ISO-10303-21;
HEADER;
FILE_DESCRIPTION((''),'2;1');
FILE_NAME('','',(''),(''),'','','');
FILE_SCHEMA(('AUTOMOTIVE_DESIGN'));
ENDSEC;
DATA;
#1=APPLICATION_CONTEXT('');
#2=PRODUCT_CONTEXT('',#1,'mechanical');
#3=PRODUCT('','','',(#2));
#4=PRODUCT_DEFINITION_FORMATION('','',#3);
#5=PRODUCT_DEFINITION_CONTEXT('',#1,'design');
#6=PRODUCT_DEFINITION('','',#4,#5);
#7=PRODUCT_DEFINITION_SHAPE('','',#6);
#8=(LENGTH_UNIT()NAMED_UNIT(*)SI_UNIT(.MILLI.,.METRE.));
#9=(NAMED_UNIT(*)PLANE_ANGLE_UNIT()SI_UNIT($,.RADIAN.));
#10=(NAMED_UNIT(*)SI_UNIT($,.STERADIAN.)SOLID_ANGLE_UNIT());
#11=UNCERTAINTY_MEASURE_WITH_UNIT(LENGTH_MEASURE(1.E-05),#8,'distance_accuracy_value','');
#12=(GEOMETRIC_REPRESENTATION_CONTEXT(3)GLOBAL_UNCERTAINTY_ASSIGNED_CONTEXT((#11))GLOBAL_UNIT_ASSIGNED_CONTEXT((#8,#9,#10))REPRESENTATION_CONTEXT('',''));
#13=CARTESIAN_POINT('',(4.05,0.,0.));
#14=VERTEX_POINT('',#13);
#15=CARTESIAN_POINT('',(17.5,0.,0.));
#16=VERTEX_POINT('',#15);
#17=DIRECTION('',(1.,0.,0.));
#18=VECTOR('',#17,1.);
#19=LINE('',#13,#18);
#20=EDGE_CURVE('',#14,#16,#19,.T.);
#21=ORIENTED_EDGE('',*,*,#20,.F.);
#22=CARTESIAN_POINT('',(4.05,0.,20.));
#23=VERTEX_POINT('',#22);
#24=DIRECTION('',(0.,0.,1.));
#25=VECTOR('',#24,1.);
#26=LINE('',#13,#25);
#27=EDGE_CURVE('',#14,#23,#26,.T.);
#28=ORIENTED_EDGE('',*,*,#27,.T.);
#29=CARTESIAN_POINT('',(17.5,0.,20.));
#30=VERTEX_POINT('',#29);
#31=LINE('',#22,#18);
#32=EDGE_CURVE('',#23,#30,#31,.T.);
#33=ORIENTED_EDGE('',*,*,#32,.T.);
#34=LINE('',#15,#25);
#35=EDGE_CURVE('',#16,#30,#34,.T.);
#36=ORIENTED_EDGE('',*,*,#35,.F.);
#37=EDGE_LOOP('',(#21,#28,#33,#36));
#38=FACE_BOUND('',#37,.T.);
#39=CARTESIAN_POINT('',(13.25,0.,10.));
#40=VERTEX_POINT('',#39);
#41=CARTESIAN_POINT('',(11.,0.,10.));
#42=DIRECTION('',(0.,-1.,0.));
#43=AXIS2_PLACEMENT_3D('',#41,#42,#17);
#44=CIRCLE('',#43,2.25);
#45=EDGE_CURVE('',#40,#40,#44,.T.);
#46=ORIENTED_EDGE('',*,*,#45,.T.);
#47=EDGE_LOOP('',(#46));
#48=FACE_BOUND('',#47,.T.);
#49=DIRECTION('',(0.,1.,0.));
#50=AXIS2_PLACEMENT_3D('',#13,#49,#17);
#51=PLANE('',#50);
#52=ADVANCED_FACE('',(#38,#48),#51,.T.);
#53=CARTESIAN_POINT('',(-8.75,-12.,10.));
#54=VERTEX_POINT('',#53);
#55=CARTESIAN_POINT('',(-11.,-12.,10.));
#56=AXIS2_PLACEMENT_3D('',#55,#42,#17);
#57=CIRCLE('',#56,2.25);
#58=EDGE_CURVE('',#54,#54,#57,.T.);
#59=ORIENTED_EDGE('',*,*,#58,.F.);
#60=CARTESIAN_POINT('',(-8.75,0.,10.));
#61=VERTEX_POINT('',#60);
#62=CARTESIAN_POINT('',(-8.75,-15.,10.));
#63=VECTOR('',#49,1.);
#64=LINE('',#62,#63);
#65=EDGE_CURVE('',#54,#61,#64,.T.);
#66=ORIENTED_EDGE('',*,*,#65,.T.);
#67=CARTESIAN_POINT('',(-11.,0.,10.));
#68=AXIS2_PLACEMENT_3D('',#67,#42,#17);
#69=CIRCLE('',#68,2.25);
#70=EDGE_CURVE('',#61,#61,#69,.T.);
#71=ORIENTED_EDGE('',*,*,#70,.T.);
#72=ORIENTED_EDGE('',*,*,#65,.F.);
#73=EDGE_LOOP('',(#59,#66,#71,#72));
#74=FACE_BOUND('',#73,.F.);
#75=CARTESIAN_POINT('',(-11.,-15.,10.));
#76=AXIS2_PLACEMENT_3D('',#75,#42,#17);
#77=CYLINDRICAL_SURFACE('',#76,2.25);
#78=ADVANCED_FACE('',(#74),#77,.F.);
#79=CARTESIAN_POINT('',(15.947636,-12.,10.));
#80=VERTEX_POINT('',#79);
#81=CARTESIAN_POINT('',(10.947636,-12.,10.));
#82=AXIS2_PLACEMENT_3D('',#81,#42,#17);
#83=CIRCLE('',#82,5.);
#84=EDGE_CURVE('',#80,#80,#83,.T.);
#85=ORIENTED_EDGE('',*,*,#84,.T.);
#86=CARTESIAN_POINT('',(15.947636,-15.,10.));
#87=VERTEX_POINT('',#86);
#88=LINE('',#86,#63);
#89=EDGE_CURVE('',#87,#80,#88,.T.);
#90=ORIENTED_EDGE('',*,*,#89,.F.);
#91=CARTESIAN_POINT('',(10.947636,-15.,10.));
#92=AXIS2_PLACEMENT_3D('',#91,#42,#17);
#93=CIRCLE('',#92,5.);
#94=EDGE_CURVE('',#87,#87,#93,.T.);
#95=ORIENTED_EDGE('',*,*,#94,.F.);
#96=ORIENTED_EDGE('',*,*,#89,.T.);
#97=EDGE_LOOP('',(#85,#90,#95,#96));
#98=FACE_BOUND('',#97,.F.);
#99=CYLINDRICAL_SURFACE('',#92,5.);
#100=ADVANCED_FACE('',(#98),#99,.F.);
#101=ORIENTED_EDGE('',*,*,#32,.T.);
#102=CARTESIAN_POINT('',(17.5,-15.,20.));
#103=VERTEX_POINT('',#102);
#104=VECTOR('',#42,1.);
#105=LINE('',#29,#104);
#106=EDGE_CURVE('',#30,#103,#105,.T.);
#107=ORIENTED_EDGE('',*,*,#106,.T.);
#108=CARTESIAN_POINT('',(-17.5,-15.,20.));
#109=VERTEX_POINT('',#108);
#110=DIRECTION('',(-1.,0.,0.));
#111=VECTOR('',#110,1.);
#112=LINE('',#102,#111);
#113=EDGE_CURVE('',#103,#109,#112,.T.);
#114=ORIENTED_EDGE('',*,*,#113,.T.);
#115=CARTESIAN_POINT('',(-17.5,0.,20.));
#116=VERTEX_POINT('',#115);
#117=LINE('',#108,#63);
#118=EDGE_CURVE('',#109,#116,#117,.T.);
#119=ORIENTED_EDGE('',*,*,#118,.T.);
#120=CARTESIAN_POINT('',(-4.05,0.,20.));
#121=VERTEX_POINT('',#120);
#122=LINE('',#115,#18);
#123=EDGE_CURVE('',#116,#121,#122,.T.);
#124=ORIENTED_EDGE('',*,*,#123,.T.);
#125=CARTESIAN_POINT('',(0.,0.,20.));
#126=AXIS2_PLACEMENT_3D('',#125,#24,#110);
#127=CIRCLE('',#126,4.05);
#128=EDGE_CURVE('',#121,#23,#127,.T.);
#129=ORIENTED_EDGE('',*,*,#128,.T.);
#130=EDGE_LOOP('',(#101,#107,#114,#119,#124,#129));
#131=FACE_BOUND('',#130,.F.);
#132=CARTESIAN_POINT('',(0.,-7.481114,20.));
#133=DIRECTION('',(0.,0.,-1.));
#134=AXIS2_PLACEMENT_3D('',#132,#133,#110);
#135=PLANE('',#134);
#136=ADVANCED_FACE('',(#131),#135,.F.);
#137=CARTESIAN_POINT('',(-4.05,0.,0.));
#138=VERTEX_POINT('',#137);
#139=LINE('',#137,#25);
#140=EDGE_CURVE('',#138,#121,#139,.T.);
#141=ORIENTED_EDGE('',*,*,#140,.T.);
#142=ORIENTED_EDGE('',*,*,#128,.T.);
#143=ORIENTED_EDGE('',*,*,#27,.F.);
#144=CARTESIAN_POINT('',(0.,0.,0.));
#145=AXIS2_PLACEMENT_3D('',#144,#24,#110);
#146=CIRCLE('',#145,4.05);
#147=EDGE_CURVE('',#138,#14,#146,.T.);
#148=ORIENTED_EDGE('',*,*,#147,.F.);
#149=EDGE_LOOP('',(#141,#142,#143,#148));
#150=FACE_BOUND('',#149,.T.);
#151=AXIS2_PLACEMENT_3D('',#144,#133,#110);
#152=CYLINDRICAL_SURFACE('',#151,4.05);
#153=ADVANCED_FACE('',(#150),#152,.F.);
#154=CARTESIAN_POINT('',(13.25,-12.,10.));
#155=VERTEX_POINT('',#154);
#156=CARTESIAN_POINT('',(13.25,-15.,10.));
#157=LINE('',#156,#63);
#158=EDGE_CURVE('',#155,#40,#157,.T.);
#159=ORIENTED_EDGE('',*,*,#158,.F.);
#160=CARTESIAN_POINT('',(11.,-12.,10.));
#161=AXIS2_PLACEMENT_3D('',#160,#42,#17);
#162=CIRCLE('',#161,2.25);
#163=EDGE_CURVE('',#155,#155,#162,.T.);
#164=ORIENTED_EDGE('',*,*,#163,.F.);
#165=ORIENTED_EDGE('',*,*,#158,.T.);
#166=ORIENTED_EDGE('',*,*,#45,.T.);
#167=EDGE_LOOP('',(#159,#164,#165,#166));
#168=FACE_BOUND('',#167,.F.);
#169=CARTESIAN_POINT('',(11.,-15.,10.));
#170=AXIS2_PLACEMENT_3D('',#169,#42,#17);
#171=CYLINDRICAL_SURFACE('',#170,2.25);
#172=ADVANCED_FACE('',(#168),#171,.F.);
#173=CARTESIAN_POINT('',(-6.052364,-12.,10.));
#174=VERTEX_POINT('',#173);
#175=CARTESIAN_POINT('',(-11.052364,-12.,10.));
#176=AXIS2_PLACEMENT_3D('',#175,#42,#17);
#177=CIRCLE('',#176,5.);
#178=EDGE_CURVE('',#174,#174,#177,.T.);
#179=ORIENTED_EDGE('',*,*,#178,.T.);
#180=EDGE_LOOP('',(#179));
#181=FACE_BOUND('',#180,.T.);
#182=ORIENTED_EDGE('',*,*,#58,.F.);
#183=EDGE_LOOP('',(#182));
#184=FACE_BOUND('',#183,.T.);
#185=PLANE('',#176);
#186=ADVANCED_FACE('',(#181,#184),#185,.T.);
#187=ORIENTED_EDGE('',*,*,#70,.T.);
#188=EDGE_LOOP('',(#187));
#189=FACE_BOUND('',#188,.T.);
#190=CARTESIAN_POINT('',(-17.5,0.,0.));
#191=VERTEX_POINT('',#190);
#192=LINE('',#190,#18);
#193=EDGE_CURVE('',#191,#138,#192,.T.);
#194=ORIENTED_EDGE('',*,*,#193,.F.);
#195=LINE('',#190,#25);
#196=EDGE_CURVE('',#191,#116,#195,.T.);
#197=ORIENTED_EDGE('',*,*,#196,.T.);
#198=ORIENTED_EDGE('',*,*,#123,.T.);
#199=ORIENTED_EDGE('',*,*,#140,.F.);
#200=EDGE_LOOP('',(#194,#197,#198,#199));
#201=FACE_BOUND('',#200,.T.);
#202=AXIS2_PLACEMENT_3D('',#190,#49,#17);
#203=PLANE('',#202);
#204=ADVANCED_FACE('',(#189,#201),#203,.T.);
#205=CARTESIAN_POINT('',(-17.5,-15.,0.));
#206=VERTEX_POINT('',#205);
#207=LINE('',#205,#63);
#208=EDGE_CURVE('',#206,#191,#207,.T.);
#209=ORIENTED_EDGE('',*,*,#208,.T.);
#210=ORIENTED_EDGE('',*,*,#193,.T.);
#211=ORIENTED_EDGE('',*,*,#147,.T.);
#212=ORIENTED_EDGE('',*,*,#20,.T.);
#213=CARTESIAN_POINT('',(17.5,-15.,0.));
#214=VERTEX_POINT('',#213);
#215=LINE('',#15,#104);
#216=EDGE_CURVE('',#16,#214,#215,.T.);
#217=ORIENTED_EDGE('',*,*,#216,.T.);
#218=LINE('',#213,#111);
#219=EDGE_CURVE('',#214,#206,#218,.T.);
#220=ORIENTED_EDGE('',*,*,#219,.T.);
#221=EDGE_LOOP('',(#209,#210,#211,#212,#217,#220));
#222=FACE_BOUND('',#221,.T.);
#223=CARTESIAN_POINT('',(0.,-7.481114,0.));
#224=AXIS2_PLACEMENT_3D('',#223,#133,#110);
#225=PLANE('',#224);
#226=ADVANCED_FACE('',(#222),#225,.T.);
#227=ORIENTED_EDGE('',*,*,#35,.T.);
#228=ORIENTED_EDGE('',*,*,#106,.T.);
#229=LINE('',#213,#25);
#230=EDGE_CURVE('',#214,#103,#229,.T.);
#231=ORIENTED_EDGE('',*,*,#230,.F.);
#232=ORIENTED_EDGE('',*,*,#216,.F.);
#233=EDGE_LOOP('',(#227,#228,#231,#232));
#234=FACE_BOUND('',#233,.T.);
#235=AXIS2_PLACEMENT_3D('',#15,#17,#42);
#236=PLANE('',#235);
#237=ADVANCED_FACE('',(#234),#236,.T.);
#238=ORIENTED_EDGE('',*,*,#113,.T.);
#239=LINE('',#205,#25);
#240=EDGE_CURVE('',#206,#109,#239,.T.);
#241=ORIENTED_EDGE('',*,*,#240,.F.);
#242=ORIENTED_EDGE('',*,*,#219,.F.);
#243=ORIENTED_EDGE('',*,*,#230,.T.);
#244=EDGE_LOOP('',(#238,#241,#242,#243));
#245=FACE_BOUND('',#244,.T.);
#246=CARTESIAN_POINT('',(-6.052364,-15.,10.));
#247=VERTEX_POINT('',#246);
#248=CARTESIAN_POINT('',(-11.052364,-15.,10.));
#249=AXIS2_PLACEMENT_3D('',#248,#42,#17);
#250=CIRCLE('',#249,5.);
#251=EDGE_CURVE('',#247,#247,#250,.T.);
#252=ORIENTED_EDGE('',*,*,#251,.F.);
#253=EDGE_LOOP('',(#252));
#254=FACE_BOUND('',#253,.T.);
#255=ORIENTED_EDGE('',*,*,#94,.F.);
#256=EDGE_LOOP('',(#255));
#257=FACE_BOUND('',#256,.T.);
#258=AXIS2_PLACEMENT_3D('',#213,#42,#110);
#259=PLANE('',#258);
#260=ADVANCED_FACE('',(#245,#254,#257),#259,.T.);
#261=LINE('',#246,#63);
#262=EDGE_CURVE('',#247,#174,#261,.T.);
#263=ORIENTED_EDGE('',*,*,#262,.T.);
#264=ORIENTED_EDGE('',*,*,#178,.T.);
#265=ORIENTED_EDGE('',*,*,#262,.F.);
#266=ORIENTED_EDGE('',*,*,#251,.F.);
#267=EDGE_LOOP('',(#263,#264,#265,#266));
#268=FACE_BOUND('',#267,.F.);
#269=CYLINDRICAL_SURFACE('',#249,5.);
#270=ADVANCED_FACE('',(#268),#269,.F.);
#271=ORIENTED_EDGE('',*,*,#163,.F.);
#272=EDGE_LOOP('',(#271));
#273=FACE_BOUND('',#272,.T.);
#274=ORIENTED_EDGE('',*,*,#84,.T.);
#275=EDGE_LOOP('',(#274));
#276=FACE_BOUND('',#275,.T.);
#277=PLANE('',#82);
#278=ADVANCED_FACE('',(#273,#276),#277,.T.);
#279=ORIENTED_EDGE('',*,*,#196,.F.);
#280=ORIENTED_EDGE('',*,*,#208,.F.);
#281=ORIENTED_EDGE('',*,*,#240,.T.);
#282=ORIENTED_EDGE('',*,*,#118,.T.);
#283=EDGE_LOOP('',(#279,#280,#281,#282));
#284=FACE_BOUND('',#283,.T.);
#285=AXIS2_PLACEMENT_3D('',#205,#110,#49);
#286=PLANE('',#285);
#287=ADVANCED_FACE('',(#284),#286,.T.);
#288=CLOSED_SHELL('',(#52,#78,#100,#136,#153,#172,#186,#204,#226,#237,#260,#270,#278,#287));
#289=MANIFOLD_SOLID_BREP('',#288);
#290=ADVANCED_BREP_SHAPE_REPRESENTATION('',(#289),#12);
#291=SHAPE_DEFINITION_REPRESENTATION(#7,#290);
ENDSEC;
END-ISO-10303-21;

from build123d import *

# Parameters (mm, degrees)
PAD_DEPTH       = 20
SKETCH001_R     = 2.25
POCKET_DEPTH    = 15.001
SKETCH002_R     = 5
POCKET001_DEPTH = 3


with BuildPart() as part:
    # Sketch → Pad (new body)
    with BuildSketch(Plane.XY):
        with BuildLine():
            ThreePointArc((-4.05, 0), (0, -4.05), (4.05, 0))
            Line((4.05, 0), (17.5, 0))
            Line((17.5, 0), (17.5, -15))
            Line((17.5, -15), (-17.5, -15))
            Line((-17.5, -15), (-17.5, 0))
            Line((-17.5, 0), (-4.05, 0))
        make_face()
    extrude(amount=PAD_DEPTH)

    # Sketch001 → Pocket (cut, through all)
    with BuildSketch(Plane.XZ.offset(15)):
        with Locations((-11, 10)):
            Circle(SKETCH001_R)
        with Locations((11, 10)):
            Circle(SKETCH001_R)
    extrude(amount=-POCKET_DEPTH, mode=Mode.SUBTRACT)

    # Sketch002 → Pocket001 (cut)
    with BuildSketch(Plane.XZ.offset(15)):
        with Locations((-11.052364, 10)):
            Circle(SKETCH002_R)
        with Locations((10.947636, 10)):
            Circle(SKETCH002_R)
    extrude(amount=-POCKET001_DEPTH, mode=Mode.SUBTRACT)


solid = part.part
